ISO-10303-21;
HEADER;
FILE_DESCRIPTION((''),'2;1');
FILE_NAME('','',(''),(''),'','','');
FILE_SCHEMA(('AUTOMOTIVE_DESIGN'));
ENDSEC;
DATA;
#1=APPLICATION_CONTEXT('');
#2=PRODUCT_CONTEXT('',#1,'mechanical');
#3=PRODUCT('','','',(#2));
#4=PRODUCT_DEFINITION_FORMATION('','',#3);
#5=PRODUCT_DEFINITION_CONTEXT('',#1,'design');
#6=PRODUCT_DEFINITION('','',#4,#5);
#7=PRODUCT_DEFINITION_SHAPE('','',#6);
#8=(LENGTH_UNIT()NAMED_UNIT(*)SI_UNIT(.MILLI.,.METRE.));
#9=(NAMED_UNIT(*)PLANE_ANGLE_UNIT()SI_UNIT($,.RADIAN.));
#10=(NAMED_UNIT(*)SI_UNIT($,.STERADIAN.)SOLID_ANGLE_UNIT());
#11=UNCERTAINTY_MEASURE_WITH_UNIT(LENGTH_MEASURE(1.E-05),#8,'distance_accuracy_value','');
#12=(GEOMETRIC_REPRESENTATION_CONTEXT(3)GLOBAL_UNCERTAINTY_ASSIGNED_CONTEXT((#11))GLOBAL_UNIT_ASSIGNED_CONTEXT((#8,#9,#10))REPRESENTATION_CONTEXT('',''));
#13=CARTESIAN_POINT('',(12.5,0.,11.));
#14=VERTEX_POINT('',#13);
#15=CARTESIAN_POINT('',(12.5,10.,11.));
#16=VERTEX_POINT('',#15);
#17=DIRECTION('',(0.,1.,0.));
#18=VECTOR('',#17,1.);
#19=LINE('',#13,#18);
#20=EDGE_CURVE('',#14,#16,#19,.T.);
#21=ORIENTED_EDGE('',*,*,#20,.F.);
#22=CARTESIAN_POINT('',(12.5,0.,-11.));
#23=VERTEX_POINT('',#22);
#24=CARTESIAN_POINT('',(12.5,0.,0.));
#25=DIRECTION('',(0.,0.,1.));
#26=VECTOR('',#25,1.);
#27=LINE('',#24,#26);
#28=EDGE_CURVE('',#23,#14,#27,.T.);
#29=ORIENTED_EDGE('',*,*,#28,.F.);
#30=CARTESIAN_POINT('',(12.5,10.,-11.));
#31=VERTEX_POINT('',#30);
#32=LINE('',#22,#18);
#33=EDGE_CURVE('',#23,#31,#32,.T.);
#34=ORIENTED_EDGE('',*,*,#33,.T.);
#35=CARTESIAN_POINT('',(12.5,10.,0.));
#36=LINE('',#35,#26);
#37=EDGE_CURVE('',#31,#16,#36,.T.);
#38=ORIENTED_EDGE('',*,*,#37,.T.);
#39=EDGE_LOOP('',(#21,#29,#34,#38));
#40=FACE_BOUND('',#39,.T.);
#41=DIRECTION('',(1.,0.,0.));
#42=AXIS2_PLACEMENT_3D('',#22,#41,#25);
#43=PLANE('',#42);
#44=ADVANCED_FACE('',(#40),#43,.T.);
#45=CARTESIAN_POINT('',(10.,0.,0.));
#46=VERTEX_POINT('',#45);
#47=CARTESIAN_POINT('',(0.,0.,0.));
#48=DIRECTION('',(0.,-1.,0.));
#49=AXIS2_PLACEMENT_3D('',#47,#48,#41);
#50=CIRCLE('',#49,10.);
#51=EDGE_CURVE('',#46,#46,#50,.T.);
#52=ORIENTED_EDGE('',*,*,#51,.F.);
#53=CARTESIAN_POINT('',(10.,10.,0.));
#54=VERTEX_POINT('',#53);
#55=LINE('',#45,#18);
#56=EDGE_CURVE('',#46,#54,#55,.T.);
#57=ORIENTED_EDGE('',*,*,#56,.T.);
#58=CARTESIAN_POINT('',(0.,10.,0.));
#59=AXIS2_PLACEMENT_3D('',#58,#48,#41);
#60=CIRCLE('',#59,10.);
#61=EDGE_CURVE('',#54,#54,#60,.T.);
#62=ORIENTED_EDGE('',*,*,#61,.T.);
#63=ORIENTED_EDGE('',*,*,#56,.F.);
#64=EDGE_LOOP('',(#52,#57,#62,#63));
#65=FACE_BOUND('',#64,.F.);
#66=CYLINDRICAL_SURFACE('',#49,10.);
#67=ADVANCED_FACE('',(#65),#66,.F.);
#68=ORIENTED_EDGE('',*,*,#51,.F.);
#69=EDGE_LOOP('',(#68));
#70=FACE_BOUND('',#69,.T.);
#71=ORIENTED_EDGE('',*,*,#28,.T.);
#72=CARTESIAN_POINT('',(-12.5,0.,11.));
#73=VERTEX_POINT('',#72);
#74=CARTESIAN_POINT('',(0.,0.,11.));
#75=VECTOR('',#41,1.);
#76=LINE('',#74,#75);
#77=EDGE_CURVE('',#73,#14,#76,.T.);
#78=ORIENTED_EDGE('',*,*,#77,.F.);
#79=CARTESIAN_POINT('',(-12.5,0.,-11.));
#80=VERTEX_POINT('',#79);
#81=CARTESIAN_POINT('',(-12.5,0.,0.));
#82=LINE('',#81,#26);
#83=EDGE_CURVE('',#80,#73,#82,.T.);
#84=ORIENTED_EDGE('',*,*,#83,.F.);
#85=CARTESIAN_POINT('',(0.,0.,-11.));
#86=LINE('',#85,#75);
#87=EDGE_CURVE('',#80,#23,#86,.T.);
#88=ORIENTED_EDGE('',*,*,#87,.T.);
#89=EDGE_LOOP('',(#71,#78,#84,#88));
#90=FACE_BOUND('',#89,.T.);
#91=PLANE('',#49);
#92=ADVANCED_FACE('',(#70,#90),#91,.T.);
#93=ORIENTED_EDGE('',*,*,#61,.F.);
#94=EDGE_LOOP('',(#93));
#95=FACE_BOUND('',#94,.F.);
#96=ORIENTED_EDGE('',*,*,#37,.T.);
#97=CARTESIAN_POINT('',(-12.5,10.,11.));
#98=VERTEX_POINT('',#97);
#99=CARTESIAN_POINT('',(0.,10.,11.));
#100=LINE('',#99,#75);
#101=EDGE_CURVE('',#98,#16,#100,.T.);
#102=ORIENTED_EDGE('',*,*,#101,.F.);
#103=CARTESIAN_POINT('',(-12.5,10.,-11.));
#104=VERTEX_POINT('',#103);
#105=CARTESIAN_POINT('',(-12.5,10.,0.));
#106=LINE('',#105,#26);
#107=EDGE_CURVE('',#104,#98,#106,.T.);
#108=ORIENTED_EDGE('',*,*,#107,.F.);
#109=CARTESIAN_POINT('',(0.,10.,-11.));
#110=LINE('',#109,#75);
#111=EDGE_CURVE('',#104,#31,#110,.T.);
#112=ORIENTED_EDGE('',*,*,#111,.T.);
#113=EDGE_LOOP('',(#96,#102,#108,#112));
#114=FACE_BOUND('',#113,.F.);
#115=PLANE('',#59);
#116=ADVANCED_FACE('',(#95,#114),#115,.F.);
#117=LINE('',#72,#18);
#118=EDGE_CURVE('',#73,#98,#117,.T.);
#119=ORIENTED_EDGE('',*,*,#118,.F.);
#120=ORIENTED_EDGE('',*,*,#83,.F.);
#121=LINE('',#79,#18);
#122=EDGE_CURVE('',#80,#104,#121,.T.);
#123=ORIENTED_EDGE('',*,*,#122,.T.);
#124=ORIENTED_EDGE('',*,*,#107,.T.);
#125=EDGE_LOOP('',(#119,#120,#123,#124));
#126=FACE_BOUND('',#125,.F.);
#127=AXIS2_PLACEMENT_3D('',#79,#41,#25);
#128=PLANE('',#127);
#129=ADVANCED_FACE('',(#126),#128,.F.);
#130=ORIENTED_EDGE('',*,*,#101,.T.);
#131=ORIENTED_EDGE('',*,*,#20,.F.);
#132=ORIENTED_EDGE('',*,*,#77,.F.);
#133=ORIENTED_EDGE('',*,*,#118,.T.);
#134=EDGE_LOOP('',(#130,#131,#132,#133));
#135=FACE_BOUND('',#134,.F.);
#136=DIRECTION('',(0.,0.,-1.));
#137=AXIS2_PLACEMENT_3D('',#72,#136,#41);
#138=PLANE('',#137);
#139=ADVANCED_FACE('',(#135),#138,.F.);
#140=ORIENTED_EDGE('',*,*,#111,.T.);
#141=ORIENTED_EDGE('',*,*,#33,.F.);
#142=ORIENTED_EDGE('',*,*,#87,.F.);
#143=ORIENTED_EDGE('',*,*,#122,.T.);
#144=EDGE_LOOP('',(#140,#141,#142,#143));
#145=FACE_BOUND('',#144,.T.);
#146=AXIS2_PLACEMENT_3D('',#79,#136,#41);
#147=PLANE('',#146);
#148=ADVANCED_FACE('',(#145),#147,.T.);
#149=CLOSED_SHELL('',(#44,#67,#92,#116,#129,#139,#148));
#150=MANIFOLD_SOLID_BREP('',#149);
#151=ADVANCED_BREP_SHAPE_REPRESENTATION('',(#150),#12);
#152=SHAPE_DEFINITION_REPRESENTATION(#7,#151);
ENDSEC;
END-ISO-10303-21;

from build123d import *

# Parameters (mm, degrees)
F0_W     = 25
F0_H     = 22
F0_R     = 10
F1_DEPTH = 10


with BuildPart() as f1:
    # F0 (on Front) → F1 (new body)
    with BuildSketch(Plane.XZ):
        Rectangle(F0_W, F0_H)
        Circle(F0_R, mode=Mode.SUBTRACT)
    extrude(amount=-F1_DEPTH)


solid = f1.part
